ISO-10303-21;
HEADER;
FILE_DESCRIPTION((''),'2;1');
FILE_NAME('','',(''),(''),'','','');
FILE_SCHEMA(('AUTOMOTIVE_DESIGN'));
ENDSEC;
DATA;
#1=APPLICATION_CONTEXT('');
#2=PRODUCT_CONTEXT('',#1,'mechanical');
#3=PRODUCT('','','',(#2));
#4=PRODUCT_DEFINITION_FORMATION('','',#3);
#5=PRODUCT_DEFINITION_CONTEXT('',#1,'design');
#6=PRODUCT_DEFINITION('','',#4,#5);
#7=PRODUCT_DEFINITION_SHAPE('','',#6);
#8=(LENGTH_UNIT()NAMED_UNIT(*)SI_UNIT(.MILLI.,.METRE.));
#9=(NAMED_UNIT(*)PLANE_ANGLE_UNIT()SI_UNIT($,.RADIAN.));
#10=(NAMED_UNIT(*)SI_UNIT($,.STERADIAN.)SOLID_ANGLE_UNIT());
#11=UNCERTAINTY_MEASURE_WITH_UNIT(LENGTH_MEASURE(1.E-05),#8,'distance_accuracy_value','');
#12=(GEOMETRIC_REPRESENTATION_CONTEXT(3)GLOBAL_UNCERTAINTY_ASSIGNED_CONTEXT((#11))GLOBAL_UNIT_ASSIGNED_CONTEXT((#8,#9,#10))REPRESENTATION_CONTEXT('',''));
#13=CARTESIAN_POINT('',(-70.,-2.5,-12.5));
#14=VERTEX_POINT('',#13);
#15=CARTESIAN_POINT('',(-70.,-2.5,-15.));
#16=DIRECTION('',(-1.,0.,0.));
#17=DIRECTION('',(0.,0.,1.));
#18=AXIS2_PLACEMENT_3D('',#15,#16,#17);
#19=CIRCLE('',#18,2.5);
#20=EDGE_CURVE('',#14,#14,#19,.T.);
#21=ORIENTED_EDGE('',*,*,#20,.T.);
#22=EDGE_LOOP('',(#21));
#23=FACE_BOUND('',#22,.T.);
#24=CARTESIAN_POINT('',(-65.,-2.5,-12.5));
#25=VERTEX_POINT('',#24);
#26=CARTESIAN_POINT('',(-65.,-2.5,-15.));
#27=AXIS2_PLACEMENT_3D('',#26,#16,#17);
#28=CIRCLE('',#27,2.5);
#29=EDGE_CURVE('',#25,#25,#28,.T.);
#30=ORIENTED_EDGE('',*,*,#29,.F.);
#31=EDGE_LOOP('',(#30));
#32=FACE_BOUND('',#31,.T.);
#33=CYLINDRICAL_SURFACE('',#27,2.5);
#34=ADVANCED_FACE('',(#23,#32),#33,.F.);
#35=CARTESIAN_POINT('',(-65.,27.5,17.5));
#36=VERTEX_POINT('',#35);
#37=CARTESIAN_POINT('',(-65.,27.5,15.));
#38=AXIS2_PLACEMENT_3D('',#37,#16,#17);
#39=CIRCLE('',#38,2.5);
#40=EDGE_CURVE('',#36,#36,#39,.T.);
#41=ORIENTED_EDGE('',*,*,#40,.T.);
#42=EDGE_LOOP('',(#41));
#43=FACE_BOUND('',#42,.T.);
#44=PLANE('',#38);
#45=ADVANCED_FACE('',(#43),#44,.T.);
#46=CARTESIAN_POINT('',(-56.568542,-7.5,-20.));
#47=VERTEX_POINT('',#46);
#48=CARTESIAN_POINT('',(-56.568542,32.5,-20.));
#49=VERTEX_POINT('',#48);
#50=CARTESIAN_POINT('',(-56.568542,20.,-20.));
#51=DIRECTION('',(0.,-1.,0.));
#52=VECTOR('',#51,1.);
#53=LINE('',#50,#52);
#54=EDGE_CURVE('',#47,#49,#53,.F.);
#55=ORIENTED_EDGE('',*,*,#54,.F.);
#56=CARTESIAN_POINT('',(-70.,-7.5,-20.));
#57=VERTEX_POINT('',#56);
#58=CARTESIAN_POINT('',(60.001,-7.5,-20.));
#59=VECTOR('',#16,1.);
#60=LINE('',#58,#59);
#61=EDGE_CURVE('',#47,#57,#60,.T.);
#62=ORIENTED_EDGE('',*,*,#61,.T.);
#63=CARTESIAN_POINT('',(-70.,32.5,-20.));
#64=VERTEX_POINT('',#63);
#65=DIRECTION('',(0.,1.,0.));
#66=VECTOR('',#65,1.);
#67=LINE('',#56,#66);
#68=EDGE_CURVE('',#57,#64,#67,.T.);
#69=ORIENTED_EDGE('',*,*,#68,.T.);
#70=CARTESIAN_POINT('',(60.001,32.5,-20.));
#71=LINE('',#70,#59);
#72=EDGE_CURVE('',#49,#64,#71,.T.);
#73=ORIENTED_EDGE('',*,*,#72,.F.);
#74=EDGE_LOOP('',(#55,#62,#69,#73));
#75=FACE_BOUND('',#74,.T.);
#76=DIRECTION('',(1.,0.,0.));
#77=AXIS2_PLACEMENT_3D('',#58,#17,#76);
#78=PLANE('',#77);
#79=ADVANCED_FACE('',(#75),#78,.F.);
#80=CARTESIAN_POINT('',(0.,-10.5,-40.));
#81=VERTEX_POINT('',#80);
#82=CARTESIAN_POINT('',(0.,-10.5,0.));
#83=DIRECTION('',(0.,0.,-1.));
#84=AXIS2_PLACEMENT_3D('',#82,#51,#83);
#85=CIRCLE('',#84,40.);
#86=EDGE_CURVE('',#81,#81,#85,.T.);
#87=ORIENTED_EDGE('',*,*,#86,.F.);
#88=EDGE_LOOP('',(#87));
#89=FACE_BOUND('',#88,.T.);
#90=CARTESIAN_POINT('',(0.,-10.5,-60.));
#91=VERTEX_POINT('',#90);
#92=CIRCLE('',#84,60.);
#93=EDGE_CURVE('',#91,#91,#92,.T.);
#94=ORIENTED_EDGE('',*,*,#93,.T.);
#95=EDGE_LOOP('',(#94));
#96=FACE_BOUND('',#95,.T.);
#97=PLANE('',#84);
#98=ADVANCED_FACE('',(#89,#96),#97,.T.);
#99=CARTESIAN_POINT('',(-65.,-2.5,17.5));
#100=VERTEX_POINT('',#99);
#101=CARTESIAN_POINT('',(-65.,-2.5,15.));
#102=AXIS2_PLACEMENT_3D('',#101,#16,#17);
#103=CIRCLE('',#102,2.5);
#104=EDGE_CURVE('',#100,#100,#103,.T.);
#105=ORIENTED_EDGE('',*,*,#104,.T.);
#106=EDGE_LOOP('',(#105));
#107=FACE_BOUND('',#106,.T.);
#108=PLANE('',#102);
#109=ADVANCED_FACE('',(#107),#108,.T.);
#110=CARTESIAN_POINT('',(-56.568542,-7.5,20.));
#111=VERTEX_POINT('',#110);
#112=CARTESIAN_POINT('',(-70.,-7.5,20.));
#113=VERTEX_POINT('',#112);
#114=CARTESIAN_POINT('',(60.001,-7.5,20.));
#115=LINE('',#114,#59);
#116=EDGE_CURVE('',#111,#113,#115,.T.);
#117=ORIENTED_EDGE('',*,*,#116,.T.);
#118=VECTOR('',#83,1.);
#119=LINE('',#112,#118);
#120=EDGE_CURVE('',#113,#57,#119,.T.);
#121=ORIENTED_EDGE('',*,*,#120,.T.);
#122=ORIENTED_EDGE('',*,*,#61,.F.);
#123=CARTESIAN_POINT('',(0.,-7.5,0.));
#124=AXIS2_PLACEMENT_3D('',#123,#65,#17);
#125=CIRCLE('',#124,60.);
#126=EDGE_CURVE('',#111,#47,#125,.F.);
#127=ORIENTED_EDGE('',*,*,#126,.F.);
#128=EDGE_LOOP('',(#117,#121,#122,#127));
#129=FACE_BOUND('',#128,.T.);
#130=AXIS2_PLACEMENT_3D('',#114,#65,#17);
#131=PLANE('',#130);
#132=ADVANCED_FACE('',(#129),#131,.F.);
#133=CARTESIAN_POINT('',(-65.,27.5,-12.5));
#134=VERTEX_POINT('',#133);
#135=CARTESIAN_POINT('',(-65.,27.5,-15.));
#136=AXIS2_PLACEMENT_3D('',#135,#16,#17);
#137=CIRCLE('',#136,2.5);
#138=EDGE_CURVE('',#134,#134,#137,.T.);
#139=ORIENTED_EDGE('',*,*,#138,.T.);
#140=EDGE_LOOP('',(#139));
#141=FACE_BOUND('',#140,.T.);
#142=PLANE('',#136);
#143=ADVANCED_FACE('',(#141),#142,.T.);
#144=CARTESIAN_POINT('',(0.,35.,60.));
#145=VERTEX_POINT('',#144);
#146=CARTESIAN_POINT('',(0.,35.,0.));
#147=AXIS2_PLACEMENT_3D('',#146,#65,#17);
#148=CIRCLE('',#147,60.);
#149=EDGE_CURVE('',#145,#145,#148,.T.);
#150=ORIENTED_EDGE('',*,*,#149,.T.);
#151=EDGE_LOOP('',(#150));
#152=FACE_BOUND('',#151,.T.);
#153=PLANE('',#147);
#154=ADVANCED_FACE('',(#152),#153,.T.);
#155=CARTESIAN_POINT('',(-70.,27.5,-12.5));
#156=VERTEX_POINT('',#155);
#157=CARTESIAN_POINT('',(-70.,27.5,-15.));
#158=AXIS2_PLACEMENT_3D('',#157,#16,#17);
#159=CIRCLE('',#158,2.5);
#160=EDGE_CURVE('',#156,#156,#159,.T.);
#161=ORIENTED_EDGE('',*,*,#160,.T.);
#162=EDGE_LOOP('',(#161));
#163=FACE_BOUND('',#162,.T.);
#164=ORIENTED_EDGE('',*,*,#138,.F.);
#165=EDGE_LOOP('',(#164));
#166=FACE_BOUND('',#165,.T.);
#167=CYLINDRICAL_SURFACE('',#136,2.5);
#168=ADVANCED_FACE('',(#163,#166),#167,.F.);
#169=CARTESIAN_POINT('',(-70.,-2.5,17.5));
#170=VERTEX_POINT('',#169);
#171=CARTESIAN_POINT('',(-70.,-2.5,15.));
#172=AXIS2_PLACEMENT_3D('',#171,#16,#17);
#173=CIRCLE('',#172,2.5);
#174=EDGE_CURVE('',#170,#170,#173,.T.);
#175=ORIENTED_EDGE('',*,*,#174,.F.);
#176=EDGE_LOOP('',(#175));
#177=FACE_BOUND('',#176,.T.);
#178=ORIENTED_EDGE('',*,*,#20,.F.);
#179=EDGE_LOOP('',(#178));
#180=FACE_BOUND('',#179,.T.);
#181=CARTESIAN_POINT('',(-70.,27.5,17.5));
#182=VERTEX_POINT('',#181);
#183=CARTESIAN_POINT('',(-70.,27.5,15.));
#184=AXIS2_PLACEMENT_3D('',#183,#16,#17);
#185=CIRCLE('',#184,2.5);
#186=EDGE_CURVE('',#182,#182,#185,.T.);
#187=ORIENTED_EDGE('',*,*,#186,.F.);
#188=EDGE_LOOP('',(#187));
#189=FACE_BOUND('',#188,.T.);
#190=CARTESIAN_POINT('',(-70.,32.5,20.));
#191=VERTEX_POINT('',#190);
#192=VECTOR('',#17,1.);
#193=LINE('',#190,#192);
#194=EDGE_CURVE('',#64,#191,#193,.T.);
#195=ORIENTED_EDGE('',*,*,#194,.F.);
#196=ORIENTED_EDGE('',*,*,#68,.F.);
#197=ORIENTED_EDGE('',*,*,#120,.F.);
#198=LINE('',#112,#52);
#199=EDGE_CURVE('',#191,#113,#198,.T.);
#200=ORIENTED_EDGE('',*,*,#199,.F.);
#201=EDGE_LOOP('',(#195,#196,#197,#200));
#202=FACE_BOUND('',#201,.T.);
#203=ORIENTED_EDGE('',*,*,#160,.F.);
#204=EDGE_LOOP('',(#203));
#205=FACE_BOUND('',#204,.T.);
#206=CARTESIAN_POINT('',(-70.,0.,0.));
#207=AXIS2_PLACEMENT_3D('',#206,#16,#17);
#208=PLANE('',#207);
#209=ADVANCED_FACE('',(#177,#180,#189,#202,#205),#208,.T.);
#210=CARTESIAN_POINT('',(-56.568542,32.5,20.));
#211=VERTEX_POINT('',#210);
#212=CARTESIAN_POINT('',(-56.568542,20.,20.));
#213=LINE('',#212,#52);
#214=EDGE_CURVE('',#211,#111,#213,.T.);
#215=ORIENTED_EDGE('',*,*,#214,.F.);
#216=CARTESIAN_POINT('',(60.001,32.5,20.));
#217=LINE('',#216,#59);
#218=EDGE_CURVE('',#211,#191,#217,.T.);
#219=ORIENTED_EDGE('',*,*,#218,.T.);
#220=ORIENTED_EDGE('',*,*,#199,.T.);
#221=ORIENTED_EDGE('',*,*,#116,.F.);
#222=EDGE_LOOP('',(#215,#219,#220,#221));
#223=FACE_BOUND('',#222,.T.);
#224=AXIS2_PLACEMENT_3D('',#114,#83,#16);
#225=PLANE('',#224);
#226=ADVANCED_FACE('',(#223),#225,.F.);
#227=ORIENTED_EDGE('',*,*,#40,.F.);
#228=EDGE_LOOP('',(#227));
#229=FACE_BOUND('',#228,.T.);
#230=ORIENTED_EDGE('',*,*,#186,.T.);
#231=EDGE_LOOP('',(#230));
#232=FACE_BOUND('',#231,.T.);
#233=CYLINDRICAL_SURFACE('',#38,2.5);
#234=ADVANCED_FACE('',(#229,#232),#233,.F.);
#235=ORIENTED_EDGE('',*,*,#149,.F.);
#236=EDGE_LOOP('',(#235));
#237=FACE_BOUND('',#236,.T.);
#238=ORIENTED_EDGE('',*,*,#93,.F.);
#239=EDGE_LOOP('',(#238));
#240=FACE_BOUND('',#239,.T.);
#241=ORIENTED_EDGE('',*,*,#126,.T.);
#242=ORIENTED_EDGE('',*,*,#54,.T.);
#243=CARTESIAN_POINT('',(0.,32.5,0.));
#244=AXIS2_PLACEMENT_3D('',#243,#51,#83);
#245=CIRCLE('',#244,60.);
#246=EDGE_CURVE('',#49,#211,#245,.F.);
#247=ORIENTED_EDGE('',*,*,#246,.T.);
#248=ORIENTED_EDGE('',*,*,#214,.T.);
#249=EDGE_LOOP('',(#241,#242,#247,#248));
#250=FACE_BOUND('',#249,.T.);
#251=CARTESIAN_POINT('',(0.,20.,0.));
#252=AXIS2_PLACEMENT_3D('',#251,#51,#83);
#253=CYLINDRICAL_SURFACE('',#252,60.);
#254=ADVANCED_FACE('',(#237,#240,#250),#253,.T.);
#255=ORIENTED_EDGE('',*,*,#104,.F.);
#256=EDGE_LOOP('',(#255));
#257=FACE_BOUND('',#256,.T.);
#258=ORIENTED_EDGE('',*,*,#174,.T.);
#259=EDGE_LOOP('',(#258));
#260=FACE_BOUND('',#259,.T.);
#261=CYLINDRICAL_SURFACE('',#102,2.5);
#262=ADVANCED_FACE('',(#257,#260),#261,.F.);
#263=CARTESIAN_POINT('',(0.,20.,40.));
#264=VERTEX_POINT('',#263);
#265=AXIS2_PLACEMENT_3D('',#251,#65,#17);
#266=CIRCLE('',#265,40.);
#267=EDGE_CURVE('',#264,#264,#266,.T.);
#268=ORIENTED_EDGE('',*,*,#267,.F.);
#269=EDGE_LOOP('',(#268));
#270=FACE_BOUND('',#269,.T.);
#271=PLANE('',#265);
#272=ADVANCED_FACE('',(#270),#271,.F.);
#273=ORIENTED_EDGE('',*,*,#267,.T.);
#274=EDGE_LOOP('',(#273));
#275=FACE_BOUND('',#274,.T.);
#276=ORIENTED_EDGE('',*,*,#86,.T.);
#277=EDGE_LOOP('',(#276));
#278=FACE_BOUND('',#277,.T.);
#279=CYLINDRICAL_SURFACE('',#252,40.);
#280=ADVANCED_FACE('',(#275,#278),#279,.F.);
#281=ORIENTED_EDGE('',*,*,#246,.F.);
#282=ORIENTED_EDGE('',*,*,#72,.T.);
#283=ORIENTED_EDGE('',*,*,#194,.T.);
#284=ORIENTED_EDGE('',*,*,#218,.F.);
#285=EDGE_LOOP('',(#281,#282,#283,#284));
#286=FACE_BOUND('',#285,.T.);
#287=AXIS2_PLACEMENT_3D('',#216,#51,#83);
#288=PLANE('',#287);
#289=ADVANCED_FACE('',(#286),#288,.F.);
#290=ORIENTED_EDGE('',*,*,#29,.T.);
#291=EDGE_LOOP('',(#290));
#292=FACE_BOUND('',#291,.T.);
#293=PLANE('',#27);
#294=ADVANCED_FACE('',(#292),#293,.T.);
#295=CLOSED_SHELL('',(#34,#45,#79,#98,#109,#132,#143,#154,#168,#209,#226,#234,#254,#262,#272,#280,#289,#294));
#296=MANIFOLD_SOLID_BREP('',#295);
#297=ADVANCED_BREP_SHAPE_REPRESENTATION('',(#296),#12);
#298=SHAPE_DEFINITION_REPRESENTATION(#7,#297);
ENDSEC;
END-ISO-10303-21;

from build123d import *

# Parameters (mm, degrees)
SKETCH_1_R           = 60
SKETCH_1_R_2         = 40
EXTRUDE_1_DEPTH      = 20
SKETCH_2_R           = 60
EXTRUDE_4_DEPTH      = 5
EXTRUDE_5_REACH      = 160.459
EXTRUDE_5_END_RADIUS = 60
EXTRUDE_START        = -70
SKETCH_3_W           = 40
SKETCH_3_H           = 40
SKETCH_4_R           = 2.5
CUT_EXTRUDE_1_DEPTH  = 5
EXTRUDE_START_2      = 10.5
SKETCH_5_R           = 40
EXTRUDE_6_DEPTH      = 10.5
EXTRUDE_7_DEPTH      = 10


with BuildPart() as part:
    # 草图1 → 凸台-拉伸1 (new body)
    with BuildSketch(Plane(origin=(0, 0, 0), x_dir=(1, 0, 0), z_dir=(0, 1, 0))):
        with Locations(Location((0, 0, 0), (0, 0, 270))):
            Circle(SKETCH_1_R)
        with Locations(Location((0, 0, 0), (0, 0, 270))):
            Circle(SKETCH_1_R_2, mode=Mode.SUBTRACT)
    extrude(amount=EXTRUDE_1_DEPTH)

    # 草图2 → 凸台-拉伸4 (add)
    with BuildSketch(Plane(origin=(0, 20, 0), x_dir=(1, 0, 0), z_dir=(0, 1, 0))):
        with Locations(Location((0, 0, 0), (0, 0, 270))):
            Circle(SKETCH_2_R)
    extrude(amount=EXTRUDE_4_DEPTH)

    # 凸台-拉伸5: up to this cylinder (the profile starts outside it)
    extrude_5_end = Plane(origin=(0, 12.5, 0), z_dir=(0, -1, 0)) * Cylinder(EXTRUDE_5_END_RADIUS, 441.918, mode=Mode.PRIVATE)
    # 草图3 → 凸台-拉伸5 (add, up to the surface)
    with BuildSketch(Plane(origin=(0, 0, 0), x_dir=(0, 0, -1), z_dir=(1, 0, 0)).offset(EXTRUDE_START), mode=Mode.PRIVATE) as extrude_5_sk1:
        with Locations((0, 12.5)):
            Rectangle(SKETCH_3_W, SKETCH_3_H)
    extrude_5_tool1 = extrude(extrude_5_sk1.sketch, amount=EXTRUDE_5_REACH, mode=Mode.PRIVATE) - extrude_5_end
    add(extrude_5_tool1.solids().sort_by_distance((-70, 12.5, 0))[0])

    # 草图4 → 切除-拉伸1 (cut)
    with BuildSketch(Plane.ZY.offset(70)):
        with Locations((-15, 27.5)):
            Circle(SKETCH_4_R)
        with Locations((15, 27.5)):
            Circle(SKETCH_4_R)
        with Locations((15, -2.5)):
            Circle(SKETCH_4_R)
        with Locations((-15, -2.5)):
            Circle(SKETCH_4_R)
    extrude(amount=-CUT_EXTRUDE_1_DEPTH, mode=Mode.SUBTRACT)

    # 草图5 → 凸台-拉伸6 (add)
    with BuildSketch(Plane.XZ.offset(EXTRUDE_START_2)):
        with BuildLine():
            ThreePointArc((-56.568542495, 20), (-60, 0), (-56.568542495, -20))
            ThreePointArc((-56.568542495, -20), (60, 0), (-56.568542495, 20))
        make_face()
        with Locations(Location((0, 0, 0), (0, 0, 270))):
            Circle(SKETCH_5_R, mode=Mode.SUBTRACT)
    extrude(amount=-EXTRUDE_6_DEPTH)

    # 草图6 → 凸台-拉伸7 (add)
    with BuildSketch(Plane(origin=(0, 25, 0), x_dir=(1, 0, 0), z_dir=(0, 1, 0))):
        with BuildLine():
            ThreePointArc((-56.568542495, 20), (-60, 0), (-56.568542495, -20))
            ThreePointArc((-56.568542495, -20), (60, 0), (-56.568542495, 20))
        make_face()
    extrude(amount=EXTRUDE_7_DEPTH)


solid = part.part
